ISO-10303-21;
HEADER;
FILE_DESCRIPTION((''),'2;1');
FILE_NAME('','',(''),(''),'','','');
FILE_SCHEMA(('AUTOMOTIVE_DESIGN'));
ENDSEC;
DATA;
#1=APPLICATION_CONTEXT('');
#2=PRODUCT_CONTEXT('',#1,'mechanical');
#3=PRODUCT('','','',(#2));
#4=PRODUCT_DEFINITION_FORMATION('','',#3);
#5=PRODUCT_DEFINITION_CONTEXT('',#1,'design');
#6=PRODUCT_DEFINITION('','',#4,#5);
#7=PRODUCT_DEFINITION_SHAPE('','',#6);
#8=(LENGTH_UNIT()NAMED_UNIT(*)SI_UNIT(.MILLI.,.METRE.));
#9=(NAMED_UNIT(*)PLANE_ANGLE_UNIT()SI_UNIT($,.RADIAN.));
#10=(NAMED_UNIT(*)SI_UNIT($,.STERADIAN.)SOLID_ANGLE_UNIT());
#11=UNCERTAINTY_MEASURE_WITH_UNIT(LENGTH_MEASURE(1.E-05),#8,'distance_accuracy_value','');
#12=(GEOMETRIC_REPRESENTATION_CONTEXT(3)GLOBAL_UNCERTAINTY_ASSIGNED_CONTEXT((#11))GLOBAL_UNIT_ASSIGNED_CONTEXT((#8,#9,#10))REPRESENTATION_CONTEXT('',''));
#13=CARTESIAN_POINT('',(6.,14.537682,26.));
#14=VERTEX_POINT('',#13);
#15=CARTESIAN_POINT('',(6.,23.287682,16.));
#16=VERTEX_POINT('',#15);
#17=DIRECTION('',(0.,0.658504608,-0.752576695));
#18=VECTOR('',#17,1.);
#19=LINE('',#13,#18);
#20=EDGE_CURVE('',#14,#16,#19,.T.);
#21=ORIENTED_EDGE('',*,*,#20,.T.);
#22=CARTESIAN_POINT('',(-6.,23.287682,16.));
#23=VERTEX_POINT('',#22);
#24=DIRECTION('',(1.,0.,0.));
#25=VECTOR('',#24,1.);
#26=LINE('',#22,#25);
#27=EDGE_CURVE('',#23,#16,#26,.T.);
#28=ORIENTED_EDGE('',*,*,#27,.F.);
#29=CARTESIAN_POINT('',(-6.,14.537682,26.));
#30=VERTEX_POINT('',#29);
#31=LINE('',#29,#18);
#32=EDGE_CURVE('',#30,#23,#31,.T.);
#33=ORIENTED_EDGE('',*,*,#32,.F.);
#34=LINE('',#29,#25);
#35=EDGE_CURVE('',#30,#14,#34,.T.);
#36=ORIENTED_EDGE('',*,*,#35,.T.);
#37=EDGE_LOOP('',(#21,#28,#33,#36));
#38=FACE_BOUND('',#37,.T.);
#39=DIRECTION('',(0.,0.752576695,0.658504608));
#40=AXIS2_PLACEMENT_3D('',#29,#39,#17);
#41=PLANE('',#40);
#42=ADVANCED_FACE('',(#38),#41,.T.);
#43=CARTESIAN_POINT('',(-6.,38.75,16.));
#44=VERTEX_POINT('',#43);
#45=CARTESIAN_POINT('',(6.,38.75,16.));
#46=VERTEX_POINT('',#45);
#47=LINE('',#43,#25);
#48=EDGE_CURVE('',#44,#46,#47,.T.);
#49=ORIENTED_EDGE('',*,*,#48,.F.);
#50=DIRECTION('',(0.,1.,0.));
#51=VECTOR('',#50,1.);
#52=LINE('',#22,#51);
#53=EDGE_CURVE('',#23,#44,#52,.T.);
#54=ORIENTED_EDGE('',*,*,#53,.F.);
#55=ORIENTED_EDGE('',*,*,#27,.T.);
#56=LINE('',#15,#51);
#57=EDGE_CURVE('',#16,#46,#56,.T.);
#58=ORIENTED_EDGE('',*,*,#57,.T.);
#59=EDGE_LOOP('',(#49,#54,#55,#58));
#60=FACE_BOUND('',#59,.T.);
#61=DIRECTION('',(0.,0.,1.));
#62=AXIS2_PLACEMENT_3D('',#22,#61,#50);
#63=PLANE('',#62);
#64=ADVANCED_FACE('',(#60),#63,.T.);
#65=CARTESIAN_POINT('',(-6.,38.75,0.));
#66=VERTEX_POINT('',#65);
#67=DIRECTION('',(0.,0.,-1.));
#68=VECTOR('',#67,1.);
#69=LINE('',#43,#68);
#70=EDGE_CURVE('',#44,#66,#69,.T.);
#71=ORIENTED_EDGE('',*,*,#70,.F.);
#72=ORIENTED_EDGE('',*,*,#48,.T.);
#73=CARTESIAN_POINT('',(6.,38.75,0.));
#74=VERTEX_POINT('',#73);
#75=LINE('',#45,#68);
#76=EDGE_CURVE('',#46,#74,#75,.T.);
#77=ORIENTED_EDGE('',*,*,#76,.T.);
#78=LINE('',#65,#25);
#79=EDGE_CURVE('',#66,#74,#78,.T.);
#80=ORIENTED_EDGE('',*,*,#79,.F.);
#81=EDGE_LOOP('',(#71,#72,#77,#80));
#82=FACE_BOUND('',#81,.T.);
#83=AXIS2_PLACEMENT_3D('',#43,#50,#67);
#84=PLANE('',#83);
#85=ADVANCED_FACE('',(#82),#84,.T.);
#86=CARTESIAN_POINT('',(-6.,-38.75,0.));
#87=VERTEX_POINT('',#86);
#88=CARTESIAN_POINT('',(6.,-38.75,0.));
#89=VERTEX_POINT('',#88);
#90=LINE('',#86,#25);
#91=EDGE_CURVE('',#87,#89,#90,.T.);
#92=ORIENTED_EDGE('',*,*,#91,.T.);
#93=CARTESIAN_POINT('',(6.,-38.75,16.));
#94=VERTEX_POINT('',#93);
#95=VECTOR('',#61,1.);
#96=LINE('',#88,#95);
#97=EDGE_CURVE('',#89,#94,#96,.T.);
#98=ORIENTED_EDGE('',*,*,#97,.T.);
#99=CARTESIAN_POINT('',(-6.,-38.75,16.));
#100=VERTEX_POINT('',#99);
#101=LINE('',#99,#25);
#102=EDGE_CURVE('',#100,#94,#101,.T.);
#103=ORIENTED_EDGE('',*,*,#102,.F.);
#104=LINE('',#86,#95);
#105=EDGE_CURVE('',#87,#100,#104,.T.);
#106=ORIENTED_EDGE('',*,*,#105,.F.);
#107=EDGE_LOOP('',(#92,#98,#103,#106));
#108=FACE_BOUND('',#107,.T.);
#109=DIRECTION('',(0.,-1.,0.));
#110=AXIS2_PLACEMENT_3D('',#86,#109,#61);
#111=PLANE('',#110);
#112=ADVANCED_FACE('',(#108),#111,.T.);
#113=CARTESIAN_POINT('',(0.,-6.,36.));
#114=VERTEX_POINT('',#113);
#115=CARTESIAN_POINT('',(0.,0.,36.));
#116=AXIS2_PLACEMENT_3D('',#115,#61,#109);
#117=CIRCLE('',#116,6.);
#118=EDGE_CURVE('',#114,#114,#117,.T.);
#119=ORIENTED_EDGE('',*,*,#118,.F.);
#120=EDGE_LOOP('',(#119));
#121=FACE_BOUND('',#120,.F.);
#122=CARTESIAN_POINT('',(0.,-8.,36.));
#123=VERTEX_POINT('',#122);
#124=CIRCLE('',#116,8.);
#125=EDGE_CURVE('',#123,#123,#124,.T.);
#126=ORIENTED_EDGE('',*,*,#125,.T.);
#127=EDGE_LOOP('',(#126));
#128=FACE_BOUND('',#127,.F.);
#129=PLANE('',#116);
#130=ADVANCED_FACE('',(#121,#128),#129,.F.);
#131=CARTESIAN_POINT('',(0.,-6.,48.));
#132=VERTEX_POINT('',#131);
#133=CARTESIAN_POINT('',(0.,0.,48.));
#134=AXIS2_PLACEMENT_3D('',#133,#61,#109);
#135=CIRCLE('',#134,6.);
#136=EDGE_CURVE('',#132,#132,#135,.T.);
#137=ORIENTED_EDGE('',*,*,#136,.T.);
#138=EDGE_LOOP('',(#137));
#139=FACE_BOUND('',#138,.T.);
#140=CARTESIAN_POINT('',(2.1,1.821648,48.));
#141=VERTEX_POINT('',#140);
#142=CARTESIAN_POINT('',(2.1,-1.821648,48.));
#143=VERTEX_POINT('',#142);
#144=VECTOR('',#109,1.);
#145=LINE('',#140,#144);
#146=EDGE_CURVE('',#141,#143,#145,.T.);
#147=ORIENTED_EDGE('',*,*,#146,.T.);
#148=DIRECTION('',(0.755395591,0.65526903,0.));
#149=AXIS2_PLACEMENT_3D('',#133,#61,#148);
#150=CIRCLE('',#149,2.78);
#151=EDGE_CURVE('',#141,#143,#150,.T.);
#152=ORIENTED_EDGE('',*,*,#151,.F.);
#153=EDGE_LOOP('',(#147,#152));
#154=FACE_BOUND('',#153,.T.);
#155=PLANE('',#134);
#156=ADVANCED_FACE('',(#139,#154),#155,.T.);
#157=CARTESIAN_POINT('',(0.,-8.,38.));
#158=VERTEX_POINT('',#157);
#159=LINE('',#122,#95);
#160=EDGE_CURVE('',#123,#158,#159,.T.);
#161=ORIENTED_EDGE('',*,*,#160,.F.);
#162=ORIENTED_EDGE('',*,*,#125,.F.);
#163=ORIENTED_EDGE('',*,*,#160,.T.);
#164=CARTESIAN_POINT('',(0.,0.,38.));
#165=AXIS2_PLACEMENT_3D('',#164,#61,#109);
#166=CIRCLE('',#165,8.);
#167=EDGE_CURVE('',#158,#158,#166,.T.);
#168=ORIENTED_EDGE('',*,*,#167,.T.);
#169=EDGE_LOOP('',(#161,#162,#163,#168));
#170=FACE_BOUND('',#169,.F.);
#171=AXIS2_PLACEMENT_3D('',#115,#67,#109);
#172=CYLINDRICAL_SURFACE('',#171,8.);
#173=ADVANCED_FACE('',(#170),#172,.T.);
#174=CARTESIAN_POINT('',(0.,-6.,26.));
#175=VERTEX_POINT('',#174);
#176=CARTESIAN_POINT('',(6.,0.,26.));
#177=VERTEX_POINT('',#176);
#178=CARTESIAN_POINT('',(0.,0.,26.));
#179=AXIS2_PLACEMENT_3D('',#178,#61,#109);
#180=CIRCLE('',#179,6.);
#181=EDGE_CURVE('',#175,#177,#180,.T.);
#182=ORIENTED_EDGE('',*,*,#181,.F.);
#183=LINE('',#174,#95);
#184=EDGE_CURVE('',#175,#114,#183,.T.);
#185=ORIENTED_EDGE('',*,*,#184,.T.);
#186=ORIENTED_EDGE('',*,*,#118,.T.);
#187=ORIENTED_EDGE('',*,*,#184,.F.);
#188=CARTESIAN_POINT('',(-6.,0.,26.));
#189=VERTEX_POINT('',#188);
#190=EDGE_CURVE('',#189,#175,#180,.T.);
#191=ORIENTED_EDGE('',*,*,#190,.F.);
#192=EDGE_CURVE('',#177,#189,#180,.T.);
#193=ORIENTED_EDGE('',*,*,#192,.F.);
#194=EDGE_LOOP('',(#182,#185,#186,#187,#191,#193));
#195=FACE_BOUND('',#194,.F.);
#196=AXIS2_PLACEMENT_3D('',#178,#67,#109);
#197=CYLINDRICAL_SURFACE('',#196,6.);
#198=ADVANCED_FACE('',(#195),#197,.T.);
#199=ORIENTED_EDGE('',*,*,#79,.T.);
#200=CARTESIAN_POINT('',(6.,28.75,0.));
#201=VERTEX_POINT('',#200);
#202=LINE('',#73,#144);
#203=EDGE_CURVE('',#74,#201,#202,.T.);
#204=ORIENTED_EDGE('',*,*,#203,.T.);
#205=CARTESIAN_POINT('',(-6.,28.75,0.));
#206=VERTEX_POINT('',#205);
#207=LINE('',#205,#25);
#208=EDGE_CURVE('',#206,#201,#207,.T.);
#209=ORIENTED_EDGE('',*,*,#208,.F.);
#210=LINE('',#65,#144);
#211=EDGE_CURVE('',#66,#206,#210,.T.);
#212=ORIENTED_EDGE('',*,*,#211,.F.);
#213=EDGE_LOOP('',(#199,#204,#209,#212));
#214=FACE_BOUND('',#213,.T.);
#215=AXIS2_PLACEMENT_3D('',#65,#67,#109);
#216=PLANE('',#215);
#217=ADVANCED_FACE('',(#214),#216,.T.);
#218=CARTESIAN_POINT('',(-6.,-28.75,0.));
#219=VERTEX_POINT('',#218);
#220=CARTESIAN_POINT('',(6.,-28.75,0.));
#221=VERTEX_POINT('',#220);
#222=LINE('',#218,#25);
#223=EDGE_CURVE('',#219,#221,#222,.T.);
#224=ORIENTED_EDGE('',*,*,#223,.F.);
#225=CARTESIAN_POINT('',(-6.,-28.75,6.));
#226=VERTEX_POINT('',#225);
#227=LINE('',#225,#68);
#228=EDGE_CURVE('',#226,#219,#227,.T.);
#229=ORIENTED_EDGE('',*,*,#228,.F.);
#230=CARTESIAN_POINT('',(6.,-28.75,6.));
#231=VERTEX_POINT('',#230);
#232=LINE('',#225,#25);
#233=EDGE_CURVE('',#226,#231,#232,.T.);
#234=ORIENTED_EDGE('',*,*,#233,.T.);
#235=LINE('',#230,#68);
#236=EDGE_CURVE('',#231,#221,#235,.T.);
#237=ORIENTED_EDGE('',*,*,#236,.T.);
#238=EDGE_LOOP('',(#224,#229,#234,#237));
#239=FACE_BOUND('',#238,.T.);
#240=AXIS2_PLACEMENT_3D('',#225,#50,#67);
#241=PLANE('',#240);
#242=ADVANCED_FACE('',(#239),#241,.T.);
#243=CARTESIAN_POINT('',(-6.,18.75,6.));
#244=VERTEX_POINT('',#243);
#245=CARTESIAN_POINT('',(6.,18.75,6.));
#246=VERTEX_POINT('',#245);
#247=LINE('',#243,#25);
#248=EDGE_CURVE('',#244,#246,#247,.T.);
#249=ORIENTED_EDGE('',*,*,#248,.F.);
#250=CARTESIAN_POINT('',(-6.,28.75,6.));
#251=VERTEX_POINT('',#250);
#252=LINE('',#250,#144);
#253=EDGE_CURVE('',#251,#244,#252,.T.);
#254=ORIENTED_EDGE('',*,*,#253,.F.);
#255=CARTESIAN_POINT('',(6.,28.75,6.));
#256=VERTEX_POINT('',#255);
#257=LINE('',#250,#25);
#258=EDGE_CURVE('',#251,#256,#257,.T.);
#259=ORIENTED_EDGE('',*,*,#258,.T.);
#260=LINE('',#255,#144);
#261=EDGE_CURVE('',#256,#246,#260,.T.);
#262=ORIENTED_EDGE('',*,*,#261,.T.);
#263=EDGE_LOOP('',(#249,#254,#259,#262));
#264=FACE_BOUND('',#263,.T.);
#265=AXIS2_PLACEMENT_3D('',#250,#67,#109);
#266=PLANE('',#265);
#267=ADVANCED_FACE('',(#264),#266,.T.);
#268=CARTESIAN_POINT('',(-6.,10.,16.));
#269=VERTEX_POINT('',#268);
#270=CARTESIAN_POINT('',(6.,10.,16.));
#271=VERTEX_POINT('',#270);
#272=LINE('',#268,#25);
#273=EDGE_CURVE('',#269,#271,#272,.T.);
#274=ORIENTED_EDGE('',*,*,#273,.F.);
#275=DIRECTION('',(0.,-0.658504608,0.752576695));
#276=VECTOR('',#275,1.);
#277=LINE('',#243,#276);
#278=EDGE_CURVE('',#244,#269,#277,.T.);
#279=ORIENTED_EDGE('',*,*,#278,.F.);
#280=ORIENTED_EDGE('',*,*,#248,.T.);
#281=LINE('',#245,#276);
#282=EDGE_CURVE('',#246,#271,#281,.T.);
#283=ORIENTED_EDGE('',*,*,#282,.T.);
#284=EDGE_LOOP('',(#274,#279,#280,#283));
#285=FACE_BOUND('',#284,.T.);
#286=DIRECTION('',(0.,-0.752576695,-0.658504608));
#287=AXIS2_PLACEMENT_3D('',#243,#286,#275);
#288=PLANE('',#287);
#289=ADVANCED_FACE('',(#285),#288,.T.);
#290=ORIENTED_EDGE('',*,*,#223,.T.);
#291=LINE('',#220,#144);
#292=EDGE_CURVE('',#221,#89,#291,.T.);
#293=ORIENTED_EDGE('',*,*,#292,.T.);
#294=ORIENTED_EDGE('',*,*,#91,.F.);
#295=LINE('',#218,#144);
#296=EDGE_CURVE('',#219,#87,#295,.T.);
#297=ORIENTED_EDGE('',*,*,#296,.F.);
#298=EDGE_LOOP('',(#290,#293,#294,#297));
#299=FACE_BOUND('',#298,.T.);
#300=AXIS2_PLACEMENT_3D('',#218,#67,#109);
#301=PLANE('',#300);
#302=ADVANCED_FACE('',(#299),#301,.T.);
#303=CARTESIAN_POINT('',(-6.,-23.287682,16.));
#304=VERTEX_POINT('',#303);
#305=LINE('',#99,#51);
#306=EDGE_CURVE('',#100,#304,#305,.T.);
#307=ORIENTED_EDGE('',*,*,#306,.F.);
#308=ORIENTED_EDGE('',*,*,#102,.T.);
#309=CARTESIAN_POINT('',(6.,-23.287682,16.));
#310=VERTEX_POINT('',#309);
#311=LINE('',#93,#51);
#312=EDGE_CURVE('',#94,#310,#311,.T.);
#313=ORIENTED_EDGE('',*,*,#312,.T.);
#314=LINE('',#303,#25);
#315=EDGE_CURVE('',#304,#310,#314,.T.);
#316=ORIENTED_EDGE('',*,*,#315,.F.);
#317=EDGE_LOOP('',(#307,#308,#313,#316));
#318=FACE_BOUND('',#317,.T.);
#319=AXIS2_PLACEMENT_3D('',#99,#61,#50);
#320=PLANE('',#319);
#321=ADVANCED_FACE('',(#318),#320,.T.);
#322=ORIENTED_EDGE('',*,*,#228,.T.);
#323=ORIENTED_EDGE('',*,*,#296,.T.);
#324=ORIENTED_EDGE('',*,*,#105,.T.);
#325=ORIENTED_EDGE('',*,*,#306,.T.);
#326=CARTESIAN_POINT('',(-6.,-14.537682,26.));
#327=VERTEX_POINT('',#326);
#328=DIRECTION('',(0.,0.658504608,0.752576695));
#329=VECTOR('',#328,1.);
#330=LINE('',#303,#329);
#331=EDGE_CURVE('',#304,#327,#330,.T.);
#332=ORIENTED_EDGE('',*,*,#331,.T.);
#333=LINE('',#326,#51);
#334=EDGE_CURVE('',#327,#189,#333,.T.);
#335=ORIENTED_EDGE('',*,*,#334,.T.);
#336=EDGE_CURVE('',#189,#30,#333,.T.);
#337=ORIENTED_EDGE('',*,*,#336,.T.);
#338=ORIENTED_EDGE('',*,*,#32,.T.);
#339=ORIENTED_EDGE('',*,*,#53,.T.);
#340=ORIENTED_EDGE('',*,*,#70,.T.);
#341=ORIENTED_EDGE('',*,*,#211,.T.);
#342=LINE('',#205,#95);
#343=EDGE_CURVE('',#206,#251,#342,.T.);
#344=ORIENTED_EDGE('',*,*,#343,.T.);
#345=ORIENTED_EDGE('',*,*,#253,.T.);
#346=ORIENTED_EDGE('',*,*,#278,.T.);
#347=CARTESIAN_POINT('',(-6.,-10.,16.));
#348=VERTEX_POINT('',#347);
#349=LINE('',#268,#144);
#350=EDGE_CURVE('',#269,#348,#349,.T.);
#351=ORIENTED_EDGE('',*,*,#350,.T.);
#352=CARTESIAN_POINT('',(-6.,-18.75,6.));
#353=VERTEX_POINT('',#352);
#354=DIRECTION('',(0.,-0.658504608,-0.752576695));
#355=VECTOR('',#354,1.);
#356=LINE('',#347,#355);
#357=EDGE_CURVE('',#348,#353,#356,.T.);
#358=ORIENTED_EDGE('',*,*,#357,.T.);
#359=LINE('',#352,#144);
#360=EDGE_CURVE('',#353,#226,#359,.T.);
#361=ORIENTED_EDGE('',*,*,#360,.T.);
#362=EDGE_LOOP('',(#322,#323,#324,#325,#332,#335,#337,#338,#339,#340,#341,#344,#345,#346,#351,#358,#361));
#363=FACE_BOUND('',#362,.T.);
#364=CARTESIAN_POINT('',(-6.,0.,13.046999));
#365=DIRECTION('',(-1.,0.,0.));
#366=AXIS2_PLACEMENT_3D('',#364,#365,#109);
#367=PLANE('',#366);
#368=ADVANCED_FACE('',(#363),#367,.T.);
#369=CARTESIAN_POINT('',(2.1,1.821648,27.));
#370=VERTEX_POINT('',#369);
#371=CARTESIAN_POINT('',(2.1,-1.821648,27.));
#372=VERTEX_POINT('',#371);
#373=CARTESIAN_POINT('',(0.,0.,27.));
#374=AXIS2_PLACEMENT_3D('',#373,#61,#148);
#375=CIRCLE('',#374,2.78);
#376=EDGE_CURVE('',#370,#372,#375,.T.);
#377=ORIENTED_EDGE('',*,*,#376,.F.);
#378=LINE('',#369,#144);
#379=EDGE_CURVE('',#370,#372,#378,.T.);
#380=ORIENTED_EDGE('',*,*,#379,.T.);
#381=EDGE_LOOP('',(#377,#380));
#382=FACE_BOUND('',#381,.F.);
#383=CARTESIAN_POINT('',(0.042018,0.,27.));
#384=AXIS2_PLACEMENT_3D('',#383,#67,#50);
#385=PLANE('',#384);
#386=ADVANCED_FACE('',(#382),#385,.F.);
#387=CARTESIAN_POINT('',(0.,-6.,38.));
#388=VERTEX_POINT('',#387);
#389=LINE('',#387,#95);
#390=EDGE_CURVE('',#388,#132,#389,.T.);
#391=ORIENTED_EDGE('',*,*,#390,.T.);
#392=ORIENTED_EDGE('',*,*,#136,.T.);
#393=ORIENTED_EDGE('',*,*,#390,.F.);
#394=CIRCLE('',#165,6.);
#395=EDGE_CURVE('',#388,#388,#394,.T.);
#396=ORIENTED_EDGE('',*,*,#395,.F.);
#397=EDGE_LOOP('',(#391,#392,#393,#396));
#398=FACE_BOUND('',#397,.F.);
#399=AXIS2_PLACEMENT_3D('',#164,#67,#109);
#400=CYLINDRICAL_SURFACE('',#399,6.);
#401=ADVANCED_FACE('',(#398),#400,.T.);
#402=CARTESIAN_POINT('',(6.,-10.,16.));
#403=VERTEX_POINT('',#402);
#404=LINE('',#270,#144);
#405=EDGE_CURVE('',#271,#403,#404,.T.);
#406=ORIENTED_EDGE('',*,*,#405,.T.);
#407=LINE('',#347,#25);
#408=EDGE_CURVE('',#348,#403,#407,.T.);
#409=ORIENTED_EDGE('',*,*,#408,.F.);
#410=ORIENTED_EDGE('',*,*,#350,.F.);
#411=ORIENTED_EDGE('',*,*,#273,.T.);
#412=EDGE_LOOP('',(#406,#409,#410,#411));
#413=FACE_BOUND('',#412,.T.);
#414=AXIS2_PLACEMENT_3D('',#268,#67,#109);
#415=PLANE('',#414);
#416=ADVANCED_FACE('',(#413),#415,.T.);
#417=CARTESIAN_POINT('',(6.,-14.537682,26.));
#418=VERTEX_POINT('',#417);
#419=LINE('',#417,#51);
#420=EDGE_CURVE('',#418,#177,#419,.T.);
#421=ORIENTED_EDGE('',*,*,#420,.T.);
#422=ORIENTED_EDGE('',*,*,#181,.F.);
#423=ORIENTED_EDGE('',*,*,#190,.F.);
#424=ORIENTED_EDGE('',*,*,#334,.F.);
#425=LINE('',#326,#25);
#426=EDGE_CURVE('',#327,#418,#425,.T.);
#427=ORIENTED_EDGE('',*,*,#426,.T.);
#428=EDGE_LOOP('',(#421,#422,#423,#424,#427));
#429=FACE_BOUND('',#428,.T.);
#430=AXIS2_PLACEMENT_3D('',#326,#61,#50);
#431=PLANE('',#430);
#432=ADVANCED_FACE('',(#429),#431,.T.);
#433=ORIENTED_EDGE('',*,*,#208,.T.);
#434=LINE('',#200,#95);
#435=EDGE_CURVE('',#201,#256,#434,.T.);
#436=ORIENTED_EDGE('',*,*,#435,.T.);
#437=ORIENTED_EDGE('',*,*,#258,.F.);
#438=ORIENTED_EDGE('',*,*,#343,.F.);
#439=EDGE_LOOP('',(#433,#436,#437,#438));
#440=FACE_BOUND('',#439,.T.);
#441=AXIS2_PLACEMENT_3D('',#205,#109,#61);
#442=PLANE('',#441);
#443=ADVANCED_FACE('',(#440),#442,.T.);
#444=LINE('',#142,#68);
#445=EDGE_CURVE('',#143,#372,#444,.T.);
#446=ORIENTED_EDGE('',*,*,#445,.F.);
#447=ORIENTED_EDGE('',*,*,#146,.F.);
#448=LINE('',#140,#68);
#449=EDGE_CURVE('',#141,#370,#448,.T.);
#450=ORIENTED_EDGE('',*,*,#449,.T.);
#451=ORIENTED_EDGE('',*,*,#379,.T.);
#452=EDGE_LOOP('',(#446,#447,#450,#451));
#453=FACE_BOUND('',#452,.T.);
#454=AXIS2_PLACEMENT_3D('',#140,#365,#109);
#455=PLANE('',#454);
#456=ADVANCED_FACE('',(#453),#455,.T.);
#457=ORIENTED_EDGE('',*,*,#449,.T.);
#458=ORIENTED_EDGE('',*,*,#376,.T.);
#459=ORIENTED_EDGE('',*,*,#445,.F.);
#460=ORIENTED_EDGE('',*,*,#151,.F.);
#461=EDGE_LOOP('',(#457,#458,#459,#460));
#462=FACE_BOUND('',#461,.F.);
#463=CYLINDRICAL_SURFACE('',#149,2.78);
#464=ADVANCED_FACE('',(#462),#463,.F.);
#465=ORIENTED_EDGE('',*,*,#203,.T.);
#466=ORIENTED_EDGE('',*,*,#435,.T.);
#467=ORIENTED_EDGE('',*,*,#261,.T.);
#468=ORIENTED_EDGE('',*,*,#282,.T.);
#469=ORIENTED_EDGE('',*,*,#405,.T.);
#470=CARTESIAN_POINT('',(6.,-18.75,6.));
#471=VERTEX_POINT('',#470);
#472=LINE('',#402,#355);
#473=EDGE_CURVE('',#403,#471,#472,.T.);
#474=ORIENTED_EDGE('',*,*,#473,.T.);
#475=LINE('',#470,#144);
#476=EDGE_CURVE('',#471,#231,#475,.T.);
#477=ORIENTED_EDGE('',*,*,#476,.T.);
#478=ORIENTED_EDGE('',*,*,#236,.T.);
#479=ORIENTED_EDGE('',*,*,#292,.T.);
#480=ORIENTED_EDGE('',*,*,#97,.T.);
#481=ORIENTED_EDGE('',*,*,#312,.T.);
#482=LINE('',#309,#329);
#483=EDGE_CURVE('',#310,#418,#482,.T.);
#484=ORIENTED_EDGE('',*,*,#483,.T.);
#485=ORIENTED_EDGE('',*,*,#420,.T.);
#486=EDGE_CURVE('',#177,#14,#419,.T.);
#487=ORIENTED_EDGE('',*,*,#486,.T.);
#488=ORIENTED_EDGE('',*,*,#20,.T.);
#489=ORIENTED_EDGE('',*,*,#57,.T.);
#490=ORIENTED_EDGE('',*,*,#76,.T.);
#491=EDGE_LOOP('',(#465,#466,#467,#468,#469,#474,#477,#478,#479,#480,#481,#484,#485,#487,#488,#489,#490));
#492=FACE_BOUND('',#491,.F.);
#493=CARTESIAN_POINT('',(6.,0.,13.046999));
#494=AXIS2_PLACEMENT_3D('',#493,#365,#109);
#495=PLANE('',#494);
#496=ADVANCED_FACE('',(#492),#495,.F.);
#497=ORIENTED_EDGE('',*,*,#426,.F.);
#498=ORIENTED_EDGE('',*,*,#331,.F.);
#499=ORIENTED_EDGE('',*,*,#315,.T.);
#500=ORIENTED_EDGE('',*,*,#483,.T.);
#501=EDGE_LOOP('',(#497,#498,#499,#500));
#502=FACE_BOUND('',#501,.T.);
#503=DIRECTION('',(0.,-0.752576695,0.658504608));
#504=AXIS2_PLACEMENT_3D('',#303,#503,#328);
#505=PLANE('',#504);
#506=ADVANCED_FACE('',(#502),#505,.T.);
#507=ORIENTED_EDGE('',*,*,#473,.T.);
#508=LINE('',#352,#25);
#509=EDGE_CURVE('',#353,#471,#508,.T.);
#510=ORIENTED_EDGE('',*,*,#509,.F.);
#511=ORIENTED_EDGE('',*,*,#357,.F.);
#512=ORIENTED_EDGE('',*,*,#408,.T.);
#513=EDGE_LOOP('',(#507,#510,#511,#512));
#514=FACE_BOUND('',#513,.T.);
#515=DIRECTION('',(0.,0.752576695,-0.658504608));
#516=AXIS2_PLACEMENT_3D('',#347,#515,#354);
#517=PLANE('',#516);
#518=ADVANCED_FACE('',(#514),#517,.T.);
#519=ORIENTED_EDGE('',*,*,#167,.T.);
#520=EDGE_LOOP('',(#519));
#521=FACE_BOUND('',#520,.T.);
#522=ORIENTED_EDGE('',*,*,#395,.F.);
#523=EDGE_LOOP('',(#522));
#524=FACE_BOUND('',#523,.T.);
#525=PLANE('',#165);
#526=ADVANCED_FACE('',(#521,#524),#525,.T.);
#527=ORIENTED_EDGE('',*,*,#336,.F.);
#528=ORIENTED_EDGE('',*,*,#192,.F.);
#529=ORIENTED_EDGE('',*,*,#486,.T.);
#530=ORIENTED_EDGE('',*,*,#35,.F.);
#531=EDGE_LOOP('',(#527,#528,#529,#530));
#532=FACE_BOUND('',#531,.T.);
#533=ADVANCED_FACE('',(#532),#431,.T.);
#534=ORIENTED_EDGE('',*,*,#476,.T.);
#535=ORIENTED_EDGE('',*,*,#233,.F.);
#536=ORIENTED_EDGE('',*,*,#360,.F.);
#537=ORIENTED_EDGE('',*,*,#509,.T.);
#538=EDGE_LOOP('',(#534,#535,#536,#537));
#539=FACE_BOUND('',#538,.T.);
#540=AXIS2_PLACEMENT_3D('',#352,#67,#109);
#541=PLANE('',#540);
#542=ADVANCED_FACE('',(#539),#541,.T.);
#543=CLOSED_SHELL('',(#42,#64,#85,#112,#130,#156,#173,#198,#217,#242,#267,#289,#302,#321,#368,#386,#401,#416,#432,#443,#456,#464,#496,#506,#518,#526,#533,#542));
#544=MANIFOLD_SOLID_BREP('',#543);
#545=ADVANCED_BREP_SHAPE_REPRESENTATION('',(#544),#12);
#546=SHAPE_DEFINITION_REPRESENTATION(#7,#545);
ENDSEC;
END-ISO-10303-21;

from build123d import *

# Parameters (mm, degrees)
PAD_DEPTH    = 12
SKETCH002_R  = 6
PAD001_DEPTH = 10
SKETCH003_R  = 8
PAD002_DEPTH = 2
SKETCH004_R  = 6
PAD003_DEPTH = 10
POCKET_DEPTH = 21


with BuildPart() as part:
    # Sketch → Pad (new body)
    with BuildSketch(Plane.YZ.offset(-6)):
        Polygon((-38.75, 0), (-38.75, 16), (-23.287682, 16), (-14.537682, 26), (14.537682, 26), (23.287682, 16), (38.75, 16), (38.75, 0), (28.75, 0), (28.75, 6), (18.75, 6), (10, 16), (-10, 16), (-18.75, 6), (-28.75, 6), (-28.75, 0), align=None)
    extrude(amount=PAD_DEPTH)

    # Sketch002 → Pad001 (new body)
    with BuildSketch(Plane(origin=(-6, 0, 26), x_dir=(0, -1, 0), z_dir=(0, 0, 1))):
        with Locations((0, 6)):
            Circle(SKETCH002_R)
    extrude(amount=PAD001_DEPTH)

    # Sketch003 → Pad002 (new body)
    with BuildSketch(Plane(origin=(-6, 0, 36), x_dir=(0, -1, 0), z_dir=(0, 0, 1))):
        with Locations((0, 6)):
            Circle(SKETCH003_R)
    extrude(amount=PAD002_DEPTH)

    # Sketch004 → Pad003 (new body)
    with BuildSketch(Plane(origin=(-6, 0, 38), x_dir=(0, -1, 0), z_dir=(0, 0, 1))):
        with Locations((0, 6)):
            Circle(SKETCH004_R)
    extrude(amount=PAD003_DEPTH)

    # Sketch005 → Pocket (cut)
    with BuildSketch(Plane(origin=(-6, 0, 48), x_dir=(0, -1, 0), z_dir=(0, 0, 1))):
        with BuildLine():
            Line((-1.821648, 8.1), (1.821648, 8.1))
            ThreePointArc((-1.821648, 8.1), (0, 3.22), (1.821648, 8.1))
        make_face()
    extrude(amount=-POCKET_DEPTH, mode=Mode.SUBTRACT)


solid = part.part
